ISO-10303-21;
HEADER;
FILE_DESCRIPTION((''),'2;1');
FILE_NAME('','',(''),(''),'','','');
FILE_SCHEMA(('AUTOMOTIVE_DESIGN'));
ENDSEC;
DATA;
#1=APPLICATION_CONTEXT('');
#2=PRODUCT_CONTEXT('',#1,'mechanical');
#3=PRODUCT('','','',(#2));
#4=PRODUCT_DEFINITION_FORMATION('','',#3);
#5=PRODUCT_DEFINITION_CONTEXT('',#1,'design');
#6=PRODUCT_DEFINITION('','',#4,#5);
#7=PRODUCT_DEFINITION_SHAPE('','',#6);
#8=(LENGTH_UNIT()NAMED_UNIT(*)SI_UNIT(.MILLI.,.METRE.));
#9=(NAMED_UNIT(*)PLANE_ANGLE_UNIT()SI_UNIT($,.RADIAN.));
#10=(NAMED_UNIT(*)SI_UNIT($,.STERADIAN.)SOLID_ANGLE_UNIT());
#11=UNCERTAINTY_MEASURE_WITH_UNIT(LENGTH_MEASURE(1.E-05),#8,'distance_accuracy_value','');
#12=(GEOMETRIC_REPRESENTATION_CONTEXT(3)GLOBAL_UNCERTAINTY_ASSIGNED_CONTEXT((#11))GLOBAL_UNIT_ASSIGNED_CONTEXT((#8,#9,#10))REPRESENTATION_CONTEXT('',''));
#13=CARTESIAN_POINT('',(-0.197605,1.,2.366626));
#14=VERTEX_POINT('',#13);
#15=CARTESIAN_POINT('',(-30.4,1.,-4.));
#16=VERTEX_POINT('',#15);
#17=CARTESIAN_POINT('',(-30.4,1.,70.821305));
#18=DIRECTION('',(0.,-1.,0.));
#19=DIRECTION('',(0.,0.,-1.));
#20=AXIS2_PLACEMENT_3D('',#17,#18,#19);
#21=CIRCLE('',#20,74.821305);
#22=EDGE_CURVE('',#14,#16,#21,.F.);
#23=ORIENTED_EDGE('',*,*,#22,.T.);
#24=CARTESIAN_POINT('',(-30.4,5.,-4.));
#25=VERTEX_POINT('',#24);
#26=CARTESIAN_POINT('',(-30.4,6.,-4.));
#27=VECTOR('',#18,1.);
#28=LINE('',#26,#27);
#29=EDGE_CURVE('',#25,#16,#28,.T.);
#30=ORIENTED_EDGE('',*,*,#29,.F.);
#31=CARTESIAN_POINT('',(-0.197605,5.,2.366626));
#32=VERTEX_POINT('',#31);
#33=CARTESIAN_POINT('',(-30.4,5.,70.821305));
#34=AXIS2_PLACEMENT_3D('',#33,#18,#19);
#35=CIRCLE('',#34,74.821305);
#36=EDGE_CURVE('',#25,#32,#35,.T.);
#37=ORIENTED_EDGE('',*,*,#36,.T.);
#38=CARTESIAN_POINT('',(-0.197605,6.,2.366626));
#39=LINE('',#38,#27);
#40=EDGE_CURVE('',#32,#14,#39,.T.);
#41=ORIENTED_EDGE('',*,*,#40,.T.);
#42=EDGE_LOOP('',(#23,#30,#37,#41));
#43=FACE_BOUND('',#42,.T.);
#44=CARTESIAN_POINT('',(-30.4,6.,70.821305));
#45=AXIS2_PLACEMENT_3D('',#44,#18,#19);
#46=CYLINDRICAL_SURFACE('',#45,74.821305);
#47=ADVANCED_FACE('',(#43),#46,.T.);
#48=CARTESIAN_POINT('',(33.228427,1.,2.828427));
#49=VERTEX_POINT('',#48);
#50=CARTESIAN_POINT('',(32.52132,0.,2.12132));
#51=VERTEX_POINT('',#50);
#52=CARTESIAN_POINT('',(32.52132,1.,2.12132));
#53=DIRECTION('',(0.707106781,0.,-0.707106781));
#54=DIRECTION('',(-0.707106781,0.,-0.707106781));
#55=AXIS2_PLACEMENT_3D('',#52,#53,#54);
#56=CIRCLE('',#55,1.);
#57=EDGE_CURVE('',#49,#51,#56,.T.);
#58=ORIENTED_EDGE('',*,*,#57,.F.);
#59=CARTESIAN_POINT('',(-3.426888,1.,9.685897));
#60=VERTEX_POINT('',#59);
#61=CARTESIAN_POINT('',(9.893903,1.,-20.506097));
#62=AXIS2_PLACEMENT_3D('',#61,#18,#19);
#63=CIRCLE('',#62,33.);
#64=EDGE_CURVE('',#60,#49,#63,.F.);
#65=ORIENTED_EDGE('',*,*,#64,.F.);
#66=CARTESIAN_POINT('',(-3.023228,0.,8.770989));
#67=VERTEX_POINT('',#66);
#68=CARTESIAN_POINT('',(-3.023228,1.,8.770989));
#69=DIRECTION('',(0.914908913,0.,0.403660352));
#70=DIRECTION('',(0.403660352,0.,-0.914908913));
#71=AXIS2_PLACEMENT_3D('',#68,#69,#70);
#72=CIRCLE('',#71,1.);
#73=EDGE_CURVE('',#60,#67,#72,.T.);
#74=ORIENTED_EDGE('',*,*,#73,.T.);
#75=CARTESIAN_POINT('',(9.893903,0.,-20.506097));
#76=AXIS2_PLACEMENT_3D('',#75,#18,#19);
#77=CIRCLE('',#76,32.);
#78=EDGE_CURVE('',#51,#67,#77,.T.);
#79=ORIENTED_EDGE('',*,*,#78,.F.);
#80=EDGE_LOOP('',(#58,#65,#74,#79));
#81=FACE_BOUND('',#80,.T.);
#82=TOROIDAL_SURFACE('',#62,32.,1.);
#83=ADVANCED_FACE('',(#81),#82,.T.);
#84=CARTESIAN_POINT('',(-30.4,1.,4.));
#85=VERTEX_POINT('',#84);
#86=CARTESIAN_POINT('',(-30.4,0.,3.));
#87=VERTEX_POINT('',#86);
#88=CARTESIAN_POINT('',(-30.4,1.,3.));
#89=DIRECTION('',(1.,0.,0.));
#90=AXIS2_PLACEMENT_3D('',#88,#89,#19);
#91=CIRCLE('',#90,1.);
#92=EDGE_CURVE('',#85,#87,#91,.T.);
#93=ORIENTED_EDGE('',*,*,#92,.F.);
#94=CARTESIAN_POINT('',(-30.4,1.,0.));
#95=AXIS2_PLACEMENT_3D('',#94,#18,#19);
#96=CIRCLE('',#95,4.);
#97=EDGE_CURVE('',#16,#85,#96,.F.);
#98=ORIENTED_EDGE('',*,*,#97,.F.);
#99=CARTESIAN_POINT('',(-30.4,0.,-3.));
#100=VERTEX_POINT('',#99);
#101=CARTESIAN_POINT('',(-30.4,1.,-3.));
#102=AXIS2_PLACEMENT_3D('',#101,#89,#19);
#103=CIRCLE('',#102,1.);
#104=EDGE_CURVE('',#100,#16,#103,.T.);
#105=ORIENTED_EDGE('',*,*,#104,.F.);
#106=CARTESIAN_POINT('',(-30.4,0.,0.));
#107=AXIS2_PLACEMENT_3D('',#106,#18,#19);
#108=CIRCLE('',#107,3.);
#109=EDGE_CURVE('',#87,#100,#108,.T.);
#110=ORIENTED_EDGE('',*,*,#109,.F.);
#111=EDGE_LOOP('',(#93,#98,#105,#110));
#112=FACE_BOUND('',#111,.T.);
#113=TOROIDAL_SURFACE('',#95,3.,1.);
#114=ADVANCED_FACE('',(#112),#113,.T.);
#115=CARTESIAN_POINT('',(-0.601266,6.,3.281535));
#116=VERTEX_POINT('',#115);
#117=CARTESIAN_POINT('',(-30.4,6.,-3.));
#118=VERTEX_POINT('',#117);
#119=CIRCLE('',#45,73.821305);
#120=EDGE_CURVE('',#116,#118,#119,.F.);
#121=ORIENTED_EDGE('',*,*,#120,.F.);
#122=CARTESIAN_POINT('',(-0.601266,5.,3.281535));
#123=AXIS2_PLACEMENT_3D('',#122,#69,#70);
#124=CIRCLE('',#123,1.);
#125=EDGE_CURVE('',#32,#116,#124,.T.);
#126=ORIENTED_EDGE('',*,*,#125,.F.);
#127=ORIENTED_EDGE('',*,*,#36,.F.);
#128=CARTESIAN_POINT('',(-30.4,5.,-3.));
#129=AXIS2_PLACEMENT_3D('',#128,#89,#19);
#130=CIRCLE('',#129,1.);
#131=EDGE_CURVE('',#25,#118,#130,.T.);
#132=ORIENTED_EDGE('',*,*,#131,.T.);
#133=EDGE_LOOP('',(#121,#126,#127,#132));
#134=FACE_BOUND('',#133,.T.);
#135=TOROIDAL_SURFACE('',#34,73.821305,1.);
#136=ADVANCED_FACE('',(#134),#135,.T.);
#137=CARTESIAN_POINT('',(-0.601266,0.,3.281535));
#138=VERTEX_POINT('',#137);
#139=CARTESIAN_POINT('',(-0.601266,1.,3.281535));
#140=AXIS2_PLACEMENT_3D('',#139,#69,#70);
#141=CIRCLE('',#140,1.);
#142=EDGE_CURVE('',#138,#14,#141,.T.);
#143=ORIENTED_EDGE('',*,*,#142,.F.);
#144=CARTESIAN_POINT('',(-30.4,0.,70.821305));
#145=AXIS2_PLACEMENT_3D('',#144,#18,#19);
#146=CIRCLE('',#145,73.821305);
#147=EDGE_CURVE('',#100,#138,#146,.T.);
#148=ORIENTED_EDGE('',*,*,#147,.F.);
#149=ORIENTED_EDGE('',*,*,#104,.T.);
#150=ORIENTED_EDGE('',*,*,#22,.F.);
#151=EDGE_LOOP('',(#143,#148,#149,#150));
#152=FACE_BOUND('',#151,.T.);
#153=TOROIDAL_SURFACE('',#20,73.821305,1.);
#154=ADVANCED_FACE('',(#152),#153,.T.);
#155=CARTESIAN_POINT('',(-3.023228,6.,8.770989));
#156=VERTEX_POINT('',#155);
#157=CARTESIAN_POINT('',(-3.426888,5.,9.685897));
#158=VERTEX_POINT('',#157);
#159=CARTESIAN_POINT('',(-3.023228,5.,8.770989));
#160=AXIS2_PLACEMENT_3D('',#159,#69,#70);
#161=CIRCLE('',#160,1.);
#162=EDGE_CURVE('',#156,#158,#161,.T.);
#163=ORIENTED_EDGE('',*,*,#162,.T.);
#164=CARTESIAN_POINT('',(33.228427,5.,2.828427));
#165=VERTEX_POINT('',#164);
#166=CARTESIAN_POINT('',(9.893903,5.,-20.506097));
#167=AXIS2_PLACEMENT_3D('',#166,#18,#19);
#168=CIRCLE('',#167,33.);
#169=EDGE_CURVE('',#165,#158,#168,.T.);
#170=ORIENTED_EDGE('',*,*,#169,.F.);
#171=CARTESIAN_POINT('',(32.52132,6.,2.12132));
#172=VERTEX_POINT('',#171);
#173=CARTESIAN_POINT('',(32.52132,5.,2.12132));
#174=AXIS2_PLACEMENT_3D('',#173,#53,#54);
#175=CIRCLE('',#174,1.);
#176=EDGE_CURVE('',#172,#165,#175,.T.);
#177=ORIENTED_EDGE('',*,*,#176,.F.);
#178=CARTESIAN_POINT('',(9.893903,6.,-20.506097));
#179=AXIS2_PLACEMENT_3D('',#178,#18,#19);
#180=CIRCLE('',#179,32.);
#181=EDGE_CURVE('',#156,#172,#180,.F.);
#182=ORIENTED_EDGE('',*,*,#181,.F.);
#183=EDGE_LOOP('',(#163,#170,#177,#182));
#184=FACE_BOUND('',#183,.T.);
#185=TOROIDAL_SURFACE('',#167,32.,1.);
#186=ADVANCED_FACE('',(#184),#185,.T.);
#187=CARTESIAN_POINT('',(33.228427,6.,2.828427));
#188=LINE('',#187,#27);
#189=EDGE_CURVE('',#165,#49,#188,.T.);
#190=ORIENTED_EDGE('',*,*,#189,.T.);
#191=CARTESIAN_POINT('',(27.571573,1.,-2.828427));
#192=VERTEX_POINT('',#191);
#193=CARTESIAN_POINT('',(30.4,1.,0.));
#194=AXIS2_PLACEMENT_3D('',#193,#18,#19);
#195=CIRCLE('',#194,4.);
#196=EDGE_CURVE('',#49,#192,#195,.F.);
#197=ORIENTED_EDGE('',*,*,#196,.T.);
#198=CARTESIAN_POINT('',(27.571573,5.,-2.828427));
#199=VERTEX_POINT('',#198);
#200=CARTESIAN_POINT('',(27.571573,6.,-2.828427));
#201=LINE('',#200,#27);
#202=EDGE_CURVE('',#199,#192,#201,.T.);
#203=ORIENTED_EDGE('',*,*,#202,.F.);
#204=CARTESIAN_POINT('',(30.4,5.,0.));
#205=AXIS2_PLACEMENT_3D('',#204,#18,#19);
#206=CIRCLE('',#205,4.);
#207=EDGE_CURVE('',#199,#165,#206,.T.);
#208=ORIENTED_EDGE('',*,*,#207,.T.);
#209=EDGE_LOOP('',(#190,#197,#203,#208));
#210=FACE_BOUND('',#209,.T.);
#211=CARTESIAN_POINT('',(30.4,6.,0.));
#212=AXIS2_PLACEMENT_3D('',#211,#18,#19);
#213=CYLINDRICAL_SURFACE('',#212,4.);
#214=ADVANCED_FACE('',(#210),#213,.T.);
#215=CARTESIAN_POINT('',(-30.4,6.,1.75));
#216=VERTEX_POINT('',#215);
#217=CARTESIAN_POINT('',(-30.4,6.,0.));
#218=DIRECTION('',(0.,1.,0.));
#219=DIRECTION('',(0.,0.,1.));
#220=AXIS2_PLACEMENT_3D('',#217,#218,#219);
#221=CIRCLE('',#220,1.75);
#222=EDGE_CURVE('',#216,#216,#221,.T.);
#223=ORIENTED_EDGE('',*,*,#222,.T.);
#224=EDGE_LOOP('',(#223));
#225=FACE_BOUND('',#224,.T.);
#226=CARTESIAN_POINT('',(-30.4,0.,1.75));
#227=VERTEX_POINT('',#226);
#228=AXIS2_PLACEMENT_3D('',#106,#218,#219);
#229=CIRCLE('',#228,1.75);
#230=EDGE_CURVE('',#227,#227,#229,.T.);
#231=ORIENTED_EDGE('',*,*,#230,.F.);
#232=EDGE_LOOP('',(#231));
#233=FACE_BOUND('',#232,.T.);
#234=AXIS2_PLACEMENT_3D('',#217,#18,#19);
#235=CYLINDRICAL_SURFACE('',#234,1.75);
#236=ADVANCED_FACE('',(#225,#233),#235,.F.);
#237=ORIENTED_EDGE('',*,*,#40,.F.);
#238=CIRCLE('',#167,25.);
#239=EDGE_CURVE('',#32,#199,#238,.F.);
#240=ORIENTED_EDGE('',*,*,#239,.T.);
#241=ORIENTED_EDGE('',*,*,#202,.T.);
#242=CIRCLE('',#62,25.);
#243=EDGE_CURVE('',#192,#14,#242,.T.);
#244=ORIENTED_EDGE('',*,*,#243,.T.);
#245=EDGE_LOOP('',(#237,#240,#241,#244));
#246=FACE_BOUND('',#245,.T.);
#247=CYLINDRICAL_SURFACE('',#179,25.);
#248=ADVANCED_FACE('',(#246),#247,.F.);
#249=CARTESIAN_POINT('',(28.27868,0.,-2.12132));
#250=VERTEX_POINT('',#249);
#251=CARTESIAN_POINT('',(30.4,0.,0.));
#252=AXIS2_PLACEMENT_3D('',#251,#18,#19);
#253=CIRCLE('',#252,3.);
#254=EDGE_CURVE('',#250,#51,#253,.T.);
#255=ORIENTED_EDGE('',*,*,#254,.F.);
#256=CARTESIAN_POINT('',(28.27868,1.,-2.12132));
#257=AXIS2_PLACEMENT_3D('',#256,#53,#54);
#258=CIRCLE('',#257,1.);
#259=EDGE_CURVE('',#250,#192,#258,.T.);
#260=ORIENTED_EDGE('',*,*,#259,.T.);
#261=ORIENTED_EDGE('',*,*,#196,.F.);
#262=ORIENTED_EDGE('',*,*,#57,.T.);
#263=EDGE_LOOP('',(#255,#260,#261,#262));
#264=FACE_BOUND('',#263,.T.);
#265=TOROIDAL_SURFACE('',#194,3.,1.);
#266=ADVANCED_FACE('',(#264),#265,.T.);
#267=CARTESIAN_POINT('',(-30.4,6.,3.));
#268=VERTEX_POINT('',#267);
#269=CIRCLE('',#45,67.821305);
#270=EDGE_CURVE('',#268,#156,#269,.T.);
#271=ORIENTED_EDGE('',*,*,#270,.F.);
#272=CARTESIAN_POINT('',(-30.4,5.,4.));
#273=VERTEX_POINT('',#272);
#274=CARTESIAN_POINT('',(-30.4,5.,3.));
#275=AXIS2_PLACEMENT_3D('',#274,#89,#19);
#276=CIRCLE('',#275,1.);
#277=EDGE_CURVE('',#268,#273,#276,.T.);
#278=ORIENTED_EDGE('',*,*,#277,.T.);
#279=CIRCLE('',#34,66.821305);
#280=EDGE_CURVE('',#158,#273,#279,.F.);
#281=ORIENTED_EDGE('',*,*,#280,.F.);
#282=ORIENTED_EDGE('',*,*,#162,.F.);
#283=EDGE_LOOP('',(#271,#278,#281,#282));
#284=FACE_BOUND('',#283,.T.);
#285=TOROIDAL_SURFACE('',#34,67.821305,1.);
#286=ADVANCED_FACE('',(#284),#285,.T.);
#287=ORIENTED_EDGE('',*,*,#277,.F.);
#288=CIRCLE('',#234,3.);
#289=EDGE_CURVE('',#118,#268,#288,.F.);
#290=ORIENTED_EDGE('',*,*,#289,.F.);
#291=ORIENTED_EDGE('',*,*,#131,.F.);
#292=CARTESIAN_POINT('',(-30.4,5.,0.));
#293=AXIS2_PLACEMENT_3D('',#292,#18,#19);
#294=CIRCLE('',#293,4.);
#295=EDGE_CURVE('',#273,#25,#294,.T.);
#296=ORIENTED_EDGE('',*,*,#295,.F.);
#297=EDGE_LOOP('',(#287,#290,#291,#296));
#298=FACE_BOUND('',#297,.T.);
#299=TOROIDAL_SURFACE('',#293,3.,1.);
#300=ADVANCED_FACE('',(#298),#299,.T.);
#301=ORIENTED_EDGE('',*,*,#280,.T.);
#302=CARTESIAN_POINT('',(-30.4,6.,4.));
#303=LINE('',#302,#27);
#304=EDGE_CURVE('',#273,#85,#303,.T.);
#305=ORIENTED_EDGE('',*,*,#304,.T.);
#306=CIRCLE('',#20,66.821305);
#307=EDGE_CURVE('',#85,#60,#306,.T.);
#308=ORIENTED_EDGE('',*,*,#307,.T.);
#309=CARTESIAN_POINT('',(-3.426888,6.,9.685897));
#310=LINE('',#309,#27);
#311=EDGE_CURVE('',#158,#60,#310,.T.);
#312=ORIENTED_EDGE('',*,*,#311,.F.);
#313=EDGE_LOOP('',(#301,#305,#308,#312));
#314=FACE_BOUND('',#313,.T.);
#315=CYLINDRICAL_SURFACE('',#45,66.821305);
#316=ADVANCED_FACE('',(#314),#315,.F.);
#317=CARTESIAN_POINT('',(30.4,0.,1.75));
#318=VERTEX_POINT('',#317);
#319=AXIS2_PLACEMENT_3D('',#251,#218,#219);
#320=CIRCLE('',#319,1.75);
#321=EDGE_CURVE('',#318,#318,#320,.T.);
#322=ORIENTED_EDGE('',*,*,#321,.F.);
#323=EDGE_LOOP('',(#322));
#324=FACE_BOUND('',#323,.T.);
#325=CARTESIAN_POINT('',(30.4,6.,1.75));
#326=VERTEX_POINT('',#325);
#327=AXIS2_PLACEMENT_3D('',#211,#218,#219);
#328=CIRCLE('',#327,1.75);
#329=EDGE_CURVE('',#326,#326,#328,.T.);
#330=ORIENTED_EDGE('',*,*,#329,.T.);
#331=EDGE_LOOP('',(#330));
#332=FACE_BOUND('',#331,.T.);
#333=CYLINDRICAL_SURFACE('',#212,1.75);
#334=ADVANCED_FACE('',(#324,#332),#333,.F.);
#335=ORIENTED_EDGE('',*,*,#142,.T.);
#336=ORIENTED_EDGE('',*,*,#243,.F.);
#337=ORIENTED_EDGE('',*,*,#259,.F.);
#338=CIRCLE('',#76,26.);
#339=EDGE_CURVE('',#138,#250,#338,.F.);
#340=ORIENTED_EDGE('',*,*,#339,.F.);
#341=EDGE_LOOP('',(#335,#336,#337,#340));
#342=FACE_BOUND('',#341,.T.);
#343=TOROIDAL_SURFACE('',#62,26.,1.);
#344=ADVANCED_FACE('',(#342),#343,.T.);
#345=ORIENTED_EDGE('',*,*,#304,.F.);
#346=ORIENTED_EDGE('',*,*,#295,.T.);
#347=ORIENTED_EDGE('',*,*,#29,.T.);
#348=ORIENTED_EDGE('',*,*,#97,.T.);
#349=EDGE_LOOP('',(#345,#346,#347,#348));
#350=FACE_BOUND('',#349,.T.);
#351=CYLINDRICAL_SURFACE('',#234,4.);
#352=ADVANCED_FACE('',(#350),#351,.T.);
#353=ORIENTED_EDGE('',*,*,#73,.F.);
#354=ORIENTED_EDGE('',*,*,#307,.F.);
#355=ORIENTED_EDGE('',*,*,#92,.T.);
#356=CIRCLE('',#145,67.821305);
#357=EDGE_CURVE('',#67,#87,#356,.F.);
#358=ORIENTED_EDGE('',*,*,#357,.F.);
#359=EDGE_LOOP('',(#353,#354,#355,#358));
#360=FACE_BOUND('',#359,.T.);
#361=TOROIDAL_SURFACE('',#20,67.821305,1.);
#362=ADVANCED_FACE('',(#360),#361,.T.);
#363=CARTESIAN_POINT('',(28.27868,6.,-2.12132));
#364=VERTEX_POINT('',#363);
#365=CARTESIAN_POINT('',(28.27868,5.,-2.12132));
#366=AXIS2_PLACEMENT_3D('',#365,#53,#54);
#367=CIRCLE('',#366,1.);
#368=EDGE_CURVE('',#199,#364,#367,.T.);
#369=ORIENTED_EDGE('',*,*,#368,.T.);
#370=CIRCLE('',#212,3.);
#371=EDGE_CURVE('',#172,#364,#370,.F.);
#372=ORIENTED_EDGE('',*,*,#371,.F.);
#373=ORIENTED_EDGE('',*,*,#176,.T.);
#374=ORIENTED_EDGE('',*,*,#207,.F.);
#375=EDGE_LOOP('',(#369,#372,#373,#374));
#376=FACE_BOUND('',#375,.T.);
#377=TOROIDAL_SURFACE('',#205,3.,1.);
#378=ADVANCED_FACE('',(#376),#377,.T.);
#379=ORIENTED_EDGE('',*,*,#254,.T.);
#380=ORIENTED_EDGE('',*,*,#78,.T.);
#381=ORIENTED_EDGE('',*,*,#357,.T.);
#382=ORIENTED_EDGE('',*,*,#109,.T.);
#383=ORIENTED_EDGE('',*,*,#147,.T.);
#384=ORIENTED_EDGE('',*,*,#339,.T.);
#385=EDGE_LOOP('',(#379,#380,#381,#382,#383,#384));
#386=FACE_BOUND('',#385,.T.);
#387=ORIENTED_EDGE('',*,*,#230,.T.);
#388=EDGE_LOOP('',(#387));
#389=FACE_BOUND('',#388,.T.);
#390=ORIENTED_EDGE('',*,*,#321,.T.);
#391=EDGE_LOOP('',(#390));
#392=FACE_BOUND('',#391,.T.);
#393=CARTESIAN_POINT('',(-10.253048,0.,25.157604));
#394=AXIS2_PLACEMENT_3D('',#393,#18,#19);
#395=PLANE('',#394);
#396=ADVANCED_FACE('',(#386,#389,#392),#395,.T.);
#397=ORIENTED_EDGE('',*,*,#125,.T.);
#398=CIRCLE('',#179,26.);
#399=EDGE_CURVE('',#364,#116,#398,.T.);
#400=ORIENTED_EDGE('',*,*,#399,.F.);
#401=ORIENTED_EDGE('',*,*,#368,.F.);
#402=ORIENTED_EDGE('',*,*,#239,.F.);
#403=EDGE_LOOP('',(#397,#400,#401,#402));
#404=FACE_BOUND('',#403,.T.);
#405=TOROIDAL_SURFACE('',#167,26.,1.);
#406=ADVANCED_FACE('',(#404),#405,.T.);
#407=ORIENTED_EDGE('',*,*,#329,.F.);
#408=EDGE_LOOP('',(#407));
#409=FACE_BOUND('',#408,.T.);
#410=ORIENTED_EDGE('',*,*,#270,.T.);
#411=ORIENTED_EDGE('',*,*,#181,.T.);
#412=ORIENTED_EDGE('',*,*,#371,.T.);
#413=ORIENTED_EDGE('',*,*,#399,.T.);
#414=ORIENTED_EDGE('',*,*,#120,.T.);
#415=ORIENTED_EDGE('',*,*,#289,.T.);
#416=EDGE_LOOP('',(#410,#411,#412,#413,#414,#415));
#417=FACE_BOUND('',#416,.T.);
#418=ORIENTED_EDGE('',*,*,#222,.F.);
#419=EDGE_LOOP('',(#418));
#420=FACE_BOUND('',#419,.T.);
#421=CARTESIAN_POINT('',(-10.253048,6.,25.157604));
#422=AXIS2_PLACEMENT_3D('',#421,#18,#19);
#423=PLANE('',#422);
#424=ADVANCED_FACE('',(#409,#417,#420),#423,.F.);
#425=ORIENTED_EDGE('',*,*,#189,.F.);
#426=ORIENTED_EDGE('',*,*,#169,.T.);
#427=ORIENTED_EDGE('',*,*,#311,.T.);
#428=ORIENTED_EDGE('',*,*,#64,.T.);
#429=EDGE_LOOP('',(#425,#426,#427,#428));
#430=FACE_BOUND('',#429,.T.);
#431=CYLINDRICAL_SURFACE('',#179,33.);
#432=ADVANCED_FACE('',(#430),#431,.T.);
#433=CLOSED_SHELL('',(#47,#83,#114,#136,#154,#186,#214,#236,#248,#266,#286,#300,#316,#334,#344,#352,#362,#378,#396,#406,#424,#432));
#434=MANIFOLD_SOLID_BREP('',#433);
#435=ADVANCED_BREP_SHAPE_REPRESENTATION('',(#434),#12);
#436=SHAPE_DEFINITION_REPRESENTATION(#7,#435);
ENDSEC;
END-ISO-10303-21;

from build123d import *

# Parameters (mm, degrees)
SKETCH1_R           = 1.75
BOSS_EXTRUDE1_DEPTH = 6
FILLET1_R           = 1


with BuildPart() as part:
    # Sketch1 → Boss-Extrude1 (new body)
    with BuildSketch(Plane(origin=(0, 0, 0), x_dir=(1, 0, 0), z_dir=(0, 1, 0))):
        with BuildLine():
            ThreePointArc((-30.4, 4), (-34.4, 0), (-30.4, -4))
            ThreePointArc((-30.4, -4), (-16.617055958, -5.436924168), (-3.426888285, -9.685897488))
            ThreePointArc((-3.426888285, -9.685897488), (15.962258381, -11.93115149), (33.228427125, -2.828427125))
            ThreePointArc((33.228427125, -2.828427125), (33.228427125, 2.828427125), (27.571572875, 2.828427125))
            ThreePointArc((27.571572875, 2.828427125), (14.491142009, -4.067576182), (-0.197605466, -2.366626181))
            ThreePointArc((-0.197605466, -2.366626181), (-14.966930275, 2.391043974), (-30.4, 4))
        make_face()
        with Locations(Location((-30.4, 0, 0), (0, 0, 270))):
            Circle(SKETCH1_R, mode=Mode.SUBTRACT)
        with Locations(Location((30.4, 0, 0), (0, 0, 270))):
            Circle(SKETCH1_R, mode=Mode.SUBTRACT)
    extrude(amount=BOSS_EXTRUDE1_DEPTH)

    # Fillet1
    fillet1_edges = [part.edges().sort_by_distance(p)[0] for p in [
        (-16.617055958, 6, 5.436924168),
        (15.962258381, 6, 11.93115149),
        (33.228427125, 6, -2.828427125),
        (14.491142009, 6, 4.067576182),
        (-14.966930275, 6, -2.391043974),
        (14.491142009, 0, 4.067576182),
        (33.228427125, 0, -2.828427125),
        (15.962258381, 0, 11.93115149),
        (-16.617055958, 0, 5.436924168),
        (-34.4, 0, 0),
        (-14.966930275, 0, -2.391043974),
        (-34.4, 6, 0),
    ]]
    fillet(fillet1_edges, radius=FILLET1_R)


solid = part.part
